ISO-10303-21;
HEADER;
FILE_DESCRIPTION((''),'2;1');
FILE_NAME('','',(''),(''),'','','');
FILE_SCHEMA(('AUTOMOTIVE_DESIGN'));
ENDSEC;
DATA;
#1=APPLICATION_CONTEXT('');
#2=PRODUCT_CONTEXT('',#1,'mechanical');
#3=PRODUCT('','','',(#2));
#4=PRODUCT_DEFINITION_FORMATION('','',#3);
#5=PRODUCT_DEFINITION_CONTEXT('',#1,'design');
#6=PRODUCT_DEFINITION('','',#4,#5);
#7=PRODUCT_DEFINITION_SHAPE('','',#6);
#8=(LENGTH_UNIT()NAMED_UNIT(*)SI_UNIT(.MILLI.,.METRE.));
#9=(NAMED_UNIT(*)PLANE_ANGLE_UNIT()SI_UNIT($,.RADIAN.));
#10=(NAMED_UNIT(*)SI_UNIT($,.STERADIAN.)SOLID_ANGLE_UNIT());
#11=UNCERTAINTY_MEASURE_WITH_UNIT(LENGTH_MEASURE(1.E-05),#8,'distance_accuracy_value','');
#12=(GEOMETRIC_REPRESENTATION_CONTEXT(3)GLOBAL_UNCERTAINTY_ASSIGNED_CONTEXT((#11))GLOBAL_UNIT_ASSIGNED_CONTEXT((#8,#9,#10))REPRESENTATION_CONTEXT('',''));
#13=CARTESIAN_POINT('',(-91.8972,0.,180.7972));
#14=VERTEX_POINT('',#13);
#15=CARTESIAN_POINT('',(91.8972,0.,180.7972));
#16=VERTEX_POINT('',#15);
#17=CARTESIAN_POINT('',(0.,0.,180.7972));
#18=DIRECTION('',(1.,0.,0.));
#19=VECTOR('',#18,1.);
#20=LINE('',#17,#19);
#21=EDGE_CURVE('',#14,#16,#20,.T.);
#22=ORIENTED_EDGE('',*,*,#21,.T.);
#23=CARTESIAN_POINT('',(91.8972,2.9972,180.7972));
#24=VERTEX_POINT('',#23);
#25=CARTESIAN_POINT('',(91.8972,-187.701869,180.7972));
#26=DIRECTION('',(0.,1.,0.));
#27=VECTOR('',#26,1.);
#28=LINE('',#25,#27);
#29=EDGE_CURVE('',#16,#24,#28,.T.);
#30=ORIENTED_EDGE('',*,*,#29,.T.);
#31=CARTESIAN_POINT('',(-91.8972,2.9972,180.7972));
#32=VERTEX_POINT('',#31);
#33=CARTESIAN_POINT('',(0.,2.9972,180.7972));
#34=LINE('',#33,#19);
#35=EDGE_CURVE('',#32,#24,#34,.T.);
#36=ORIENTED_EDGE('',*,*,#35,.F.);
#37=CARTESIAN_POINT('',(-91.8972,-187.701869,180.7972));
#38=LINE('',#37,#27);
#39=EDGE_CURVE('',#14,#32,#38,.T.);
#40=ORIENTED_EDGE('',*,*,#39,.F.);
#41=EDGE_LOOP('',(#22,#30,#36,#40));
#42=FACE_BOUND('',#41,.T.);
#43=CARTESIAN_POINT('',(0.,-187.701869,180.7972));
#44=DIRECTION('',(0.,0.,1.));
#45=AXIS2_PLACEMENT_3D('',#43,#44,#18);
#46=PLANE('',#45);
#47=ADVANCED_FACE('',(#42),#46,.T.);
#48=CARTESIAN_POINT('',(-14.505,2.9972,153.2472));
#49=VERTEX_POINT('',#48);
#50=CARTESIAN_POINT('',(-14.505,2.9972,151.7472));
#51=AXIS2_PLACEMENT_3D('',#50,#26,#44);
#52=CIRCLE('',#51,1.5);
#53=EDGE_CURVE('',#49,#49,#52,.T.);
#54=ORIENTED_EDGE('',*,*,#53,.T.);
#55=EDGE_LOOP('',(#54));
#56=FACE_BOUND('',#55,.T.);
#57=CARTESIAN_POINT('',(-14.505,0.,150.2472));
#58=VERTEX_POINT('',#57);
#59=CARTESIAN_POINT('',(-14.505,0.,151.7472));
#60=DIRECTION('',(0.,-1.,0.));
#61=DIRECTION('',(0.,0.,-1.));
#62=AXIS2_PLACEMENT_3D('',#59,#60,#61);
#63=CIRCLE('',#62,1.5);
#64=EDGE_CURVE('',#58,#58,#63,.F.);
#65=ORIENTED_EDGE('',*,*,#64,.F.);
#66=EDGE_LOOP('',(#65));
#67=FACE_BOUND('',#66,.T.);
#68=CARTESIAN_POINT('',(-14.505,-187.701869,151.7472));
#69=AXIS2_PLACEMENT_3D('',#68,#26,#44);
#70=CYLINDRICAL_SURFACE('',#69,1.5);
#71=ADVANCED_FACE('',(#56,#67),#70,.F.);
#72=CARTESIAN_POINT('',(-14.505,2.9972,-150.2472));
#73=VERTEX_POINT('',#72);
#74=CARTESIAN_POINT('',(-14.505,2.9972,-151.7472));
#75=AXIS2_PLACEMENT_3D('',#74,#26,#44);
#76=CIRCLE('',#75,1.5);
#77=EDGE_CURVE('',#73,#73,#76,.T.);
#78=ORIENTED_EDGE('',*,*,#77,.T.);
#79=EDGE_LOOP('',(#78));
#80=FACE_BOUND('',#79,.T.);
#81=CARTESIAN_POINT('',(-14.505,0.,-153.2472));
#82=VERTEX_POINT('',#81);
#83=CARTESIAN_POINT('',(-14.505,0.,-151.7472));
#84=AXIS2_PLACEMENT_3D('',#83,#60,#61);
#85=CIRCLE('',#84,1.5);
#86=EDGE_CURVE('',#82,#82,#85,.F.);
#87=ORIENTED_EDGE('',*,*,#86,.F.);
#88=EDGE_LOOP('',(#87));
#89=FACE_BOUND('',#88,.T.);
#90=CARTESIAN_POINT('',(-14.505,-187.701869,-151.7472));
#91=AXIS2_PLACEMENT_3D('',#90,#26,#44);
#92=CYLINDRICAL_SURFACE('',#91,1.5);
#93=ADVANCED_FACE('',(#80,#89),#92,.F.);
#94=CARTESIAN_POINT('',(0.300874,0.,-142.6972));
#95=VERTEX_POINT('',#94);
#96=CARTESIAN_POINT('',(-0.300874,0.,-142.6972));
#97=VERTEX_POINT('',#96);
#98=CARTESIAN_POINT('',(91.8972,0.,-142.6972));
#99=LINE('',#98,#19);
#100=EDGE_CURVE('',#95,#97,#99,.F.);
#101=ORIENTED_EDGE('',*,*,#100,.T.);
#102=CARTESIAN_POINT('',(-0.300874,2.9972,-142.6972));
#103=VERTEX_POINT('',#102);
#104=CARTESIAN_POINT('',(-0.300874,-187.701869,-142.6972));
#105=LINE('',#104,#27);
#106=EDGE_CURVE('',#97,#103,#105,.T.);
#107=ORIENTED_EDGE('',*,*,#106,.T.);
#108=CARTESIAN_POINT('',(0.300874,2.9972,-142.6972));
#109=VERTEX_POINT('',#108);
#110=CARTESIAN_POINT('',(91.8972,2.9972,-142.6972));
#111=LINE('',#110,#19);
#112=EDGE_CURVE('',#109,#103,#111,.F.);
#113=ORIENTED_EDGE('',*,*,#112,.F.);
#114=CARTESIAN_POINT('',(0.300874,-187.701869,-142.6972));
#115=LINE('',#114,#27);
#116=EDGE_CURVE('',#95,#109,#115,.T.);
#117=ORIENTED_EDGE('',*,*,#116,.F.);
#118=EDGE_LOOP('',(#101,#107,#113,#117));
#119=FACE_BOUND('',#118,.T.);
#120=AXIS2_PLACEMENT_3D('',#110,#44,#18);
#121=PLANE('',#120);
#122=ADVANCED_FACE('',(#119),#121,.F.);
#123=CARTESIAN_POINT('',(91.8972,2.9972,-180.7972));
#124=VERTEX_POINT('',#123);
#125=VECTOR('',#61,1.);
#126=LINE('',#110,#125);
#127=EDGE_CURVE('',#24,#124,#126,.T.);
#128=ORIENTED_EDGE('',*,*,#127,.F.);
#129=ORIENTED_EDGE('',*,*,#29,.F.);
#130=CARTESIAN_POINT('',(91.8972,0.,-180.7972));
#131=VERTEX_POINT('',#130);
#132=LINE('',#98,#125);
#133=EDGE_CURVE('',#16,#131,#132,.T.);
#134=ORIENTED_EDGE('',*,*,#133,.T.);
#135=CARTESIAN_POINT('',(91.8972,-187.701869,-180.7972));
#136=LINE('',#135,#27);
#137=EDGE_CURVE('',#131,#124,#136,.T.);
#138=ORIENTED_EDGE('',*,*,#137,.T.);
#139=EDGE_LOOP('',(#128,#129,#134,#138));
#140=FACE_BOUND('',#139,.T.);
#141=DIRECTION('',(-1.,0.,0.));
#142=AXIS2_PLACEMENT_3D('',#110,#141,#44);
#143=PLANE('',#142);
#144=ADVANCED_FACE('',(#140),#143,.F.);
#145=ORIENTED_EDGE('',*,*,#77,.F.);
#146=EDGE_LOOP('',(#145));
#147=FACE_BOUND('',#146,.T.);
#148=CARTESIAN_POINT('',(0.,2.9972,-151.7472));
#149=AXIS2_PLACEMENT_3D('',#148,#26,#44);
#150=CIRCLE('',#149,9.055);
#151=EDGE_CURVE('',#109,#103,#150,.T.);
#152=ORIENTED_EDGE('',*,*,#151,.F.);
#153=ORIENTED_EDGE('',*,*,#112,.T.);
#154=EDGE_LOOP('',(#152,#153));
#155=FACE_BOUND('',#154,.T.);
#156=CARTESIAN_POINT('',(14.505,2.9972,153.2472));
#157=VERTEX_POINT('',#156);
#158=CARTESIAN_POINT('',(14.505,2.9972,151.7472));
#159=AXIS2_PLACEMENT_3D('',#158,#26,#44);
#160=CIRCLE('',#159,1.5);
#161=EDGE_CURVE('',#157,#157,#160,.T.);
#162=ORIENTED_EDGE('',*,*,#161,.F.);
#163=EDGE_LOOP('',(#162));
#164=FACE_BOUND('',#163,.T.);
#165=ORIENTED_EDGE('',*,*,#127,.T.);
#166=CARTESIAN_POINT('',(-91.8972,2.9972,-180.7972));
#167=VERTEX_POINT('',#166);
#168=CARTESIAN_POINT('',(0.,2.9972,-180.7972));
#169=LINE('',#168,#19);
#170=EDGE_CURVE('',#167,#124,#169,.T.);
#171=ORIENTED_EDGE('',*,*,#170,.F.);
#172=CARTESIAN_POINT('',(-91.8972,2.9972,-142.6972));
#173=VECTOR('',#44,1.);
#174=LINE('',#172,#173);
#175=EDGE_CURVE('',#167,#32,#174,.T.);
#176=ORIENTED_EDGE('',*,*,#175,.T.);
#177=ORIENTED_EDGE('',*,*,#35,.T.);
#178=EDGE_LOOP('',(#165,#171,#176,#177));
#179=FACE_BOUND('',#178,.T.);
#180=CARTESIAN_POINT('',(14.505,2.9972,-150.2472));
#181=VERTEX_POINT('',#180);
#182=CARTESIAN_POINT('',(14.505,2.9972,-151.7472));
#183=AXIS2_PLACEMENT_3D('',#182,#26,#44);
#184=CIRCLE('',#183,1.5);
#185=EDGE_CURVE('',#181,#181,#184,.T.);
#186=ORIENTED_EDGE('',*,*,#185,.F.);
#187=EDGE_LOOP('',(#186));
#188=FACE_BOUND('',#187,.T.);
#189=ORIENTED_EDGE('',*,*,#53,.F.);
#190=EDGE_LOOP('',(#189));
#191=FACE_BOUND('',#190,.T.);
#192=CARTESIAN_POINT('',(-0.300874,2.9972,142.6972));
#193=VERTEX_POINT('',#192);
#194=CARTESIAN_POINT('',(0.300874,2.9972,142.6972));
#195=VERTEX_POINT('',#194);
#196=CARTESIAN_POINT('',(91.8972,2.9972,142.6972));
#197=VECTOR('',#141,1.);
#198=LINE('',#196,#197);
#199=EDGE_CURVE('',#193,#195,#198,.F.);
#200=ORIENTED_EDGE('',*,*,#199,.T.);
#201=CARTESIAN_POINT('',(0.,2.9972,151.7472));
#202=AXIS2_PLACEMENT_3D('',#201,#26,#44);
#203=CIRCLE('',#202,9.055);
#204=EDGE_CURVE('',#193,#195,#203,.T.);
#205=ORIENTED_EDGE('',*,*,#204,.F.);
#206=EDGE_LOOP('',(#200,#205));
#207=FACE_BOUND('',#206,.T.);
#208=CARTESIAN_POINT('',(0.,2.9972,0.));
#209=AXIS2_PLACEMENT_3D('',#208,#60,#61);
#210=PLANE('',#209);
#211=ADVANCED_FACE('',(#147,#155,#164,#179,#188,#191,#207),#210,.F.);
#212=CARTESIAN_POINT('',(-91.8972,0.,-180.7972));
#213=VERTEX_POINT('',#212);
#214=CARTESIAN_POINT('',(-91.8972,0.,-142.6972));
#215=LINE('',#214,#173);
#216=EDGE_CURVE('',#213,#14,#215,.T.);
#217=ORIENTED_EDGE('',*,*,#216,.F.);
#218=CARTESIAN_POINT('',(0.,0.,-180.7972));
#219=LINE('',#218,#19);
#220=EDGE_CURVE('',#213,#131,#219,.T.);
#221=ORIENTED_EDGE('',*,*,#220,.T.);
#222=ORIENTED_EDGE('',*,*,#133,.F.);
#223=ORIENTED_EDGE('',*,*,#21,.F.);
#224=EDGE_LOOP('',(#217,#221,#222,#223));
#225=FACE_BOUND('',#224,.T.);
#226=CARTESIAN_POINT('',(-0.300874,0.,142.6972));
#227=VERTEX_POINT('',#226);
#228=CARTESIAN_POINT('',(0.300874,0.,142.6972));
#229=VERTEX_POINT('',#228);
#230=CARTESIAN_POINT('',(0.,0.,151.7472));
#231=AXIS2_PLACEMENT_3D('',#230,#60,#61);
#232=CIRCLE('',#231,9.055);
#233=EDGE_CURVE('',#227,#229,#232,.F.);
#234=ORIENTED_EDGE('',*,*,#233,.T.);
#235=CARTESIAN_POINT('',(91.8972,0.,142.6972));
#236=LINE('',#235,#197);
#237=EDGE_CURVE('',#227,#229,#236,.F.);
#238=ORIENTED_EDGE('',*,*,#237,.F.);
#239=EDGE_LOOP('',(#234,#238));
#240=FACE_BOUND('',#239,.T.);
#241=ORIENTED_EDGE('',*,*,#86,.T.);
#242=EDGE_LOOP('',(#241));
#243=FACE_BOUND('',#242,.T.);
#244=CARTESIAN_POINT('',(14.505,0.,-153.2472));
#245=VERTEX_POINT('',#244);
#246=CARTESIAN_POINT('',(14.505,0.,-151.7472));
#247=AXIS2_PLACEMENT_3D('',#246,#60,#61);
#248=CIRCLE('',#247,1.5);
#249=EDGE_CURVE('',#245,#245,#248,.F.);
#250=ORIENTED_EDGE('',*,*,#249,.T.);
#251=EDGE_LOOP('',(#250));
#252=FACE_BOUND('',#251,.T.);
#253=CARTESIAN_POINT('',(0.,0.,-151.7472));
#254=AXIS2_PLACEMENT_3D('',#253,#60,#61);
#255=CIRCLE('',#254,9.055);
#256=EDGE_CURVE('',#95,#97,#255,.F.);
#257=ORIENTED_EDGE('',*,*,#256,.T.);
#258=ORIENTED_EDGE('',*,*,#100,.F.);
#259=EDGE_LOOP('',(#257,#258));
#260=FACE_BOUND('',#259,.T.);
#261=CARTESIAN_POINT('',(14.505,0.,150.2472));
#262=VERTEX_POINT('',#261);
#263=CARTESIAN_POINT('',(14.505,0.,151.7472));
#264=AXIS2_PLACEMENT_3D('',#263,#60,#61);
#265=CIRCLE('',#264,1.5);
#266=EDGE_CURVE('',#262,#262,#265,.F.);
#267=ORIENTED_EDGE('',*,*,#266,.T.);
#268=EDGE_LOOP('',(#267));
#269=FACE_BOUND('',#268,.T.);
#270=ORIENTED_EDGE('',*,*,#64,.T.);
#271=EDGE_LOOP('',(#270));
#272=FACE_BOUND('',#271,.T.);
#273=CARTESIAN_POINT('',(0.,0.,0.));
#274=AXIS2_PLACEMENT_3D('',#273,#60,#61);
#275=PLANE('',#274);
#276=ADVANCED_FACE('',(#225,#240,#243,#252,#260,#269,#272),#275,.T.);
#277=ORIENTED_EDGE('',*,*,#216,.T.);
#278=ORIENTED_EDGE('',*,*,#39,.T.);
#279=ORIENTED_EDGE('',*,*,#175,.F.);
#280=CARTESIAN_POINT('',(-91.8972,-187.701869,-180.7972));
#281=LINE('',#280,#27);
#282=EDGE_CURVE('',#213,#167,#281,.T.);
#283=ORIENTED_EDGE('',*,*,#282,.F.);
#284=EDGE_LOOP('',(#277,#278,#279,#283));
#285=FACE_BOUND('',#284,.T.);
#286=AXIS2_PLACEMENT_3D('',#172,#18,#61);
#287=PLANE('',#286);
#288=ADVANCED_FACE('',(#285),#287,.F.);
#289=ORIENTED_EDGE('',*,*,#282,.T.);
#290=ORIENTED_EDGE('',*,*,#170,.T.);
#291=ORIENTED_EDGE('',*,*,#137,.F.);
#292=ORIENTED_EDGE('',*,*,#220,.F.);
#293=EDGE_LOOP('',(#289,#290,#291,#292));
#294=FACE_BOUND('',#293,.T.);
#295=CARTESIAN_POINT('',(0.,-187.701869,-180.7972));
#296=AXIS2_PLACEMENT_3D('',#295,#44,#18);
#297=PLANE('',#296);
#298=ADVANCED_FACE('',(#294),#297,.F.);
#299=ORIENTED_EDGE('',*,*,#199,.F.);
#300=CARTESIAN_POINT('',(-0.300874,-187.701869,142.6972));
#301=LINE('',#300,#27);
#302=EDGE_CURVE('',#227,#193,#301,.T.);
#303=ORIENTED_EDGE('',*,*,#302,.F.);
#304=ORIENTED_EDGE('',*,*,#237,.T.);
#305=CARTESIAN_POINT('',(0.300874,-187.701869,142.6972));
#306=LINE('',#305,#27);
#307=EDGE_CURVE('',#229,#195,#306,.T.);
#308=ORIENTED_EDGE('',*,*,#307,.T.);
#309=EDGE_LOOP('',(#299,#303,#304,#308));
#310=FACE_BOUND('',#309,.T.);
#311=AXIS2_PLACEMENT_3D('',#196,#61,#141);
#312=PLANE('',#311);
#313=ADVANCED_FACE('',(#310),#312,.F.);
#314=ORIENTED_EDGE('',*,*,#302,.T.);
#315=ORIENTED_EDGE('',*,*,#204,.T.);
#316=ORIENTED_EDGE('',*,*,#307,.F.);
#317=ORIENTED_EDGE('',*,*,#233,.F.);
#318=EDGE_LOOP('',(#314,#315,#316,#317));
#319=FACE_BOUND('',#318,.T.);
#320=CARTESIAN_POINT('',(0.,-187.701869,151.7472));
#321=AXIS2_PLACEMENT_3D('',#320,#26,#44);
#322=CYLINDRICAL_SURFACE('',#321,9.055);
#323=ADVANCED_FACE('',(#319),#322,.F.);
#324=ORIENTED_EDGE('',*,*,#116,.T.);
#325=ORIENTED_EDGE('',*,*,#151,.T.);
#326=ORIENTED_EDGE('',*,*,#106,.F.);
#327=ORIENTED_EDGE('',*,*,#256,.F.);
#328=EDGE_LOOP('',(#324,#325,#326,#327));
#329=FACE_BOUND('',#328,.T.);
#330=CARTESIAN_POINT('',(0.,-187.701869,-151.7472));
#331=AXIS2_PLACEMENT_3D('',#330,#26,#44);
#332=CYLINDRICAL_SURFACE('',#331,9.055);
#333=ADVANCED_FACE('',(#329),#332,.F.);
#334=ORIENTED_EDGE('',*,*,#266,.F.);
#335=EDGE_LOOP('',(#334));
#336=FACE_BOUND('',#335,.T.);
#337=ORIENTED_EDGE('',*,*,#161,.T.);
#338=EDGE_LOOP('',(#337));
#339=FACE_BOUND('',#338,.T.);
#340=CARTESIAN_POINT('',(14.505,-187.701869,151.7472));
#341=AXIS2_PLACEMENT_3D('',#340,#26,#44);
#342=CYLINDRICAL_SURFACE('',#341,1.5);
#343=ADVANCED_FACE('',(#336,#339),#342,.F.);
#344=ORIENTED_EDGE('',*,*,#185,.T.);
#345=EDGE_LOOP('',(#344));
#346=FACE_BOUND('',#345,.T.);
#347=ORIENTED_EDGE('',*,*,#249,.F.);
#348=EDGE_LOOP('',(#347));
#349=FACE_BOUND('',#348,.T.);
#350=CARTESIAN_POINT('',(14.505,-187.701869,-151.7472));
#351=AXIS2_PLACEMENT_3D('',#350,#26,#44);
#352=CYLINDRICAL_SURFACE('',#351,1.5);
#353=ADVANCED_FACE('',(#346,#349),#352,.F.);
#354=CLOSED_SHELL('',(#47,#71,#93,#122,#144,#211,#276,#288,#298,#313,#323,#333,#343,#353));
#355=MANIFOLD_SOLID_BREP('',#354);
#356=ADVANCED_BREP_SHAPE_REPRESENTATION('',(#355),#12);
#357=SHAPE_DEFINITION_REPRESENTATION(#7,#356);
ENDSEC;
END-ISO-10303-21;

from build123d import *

# Parameters (mm, degrees)
SKETCH1_W           = 183.7944
SKETCH1_H           = 285.3944
BOSS_EXTRUDE1_DEPTH = 2.9972
SKETCH2_R           = 1.5
BOSS_EXTRUDE2_DEPTH = 2.9972


with BuildPart() as part:
    # Sketch1 → Boss-Extrude1 (new body)
    with BuildSketch(Plane(origin=(0, 0, 0), x_dir=(1, 0, 0), z_dir=(0, 1, 0))):
        Rectangle(SKETCH1_W, SKETCH1_H)
    extrude(amount=BOSS_EXTRUDE1_DEPTH)

    # Sketch2 → Boss-Extrude2 (add)
    # profile 1 of 2: a face of its own
    with BuildSketch(Plane(origin=(0, 2.9972, 0), x_dir=(1, 0, 0), z_dir=(0, 1, 0))):
        with BuildLine():
            Line((-0.300873728, -142.6972), (-91.8972, -142.6972))
            Line((-91.8972, -142.6972), (-91.8972, -180.7972))
            Line((-91.8972, -180.7972), (91.8972, -180.7972))
            Line((91.8972, -180.7972), (91.8972, -142.6972))
            Line((91.8972, -142.6972), (0.300873728, -142.6972))
            ThreePointArc((0.300873728, -142.6972), (0, -160.8022), (-0.300873728, -142.6972))
        make_face()
        with Locations(Location((-14.505, -151.7472, 0), (0, 0, 270))):
            Circle(SKETCH2_R, mode=Mode.SUBTRACT)
        with Locations(Location((14.505, -151.7472, 0), (0, 0, 270))):
            Circle(SKETCH2_R, mode=Mode.SUBTRACT)
    # profile 2 of 2: a face of its own
    with BuildSketch(Plane(origin=(0, 2.9972, 0), x_dir=(1, 0, 0), z_dir=(0, 1, 0))):
        with BuildLine():
            Line((0.300873728, 142.6972), (91.8972, 142.6972))
            Line((91.8972, 142.6972), (91.8972, 180.7972))
            Line((91.8972, 180.7972), (-91.8972, 180.7972))
            Line((-91.8972, 180.7972), (-91.8972, 142.6972))
            Line((-91.8972, 142.6972), (-0.300873728, 142.6972))
            ThreePointArc((-0.300873728, 142.6972), (0, 160.8022), (0.300873728, 142.6972))
        make_face()
        with Locations(Location((-14.505, 151.7472, 0), (0, 0, 270))):
            Circle(SKETCH2_R, mode=Mode.SUBTRACT)
        with Locations(Location((14.505, 151.7472, 0), (0, 0, 270))):
            Circle(SKETCH2_R, mode=Mode.SUBTRACT)
    extrude(amount=-BOSS_EXTRUDE2_DEPTH)


solid = part.part
